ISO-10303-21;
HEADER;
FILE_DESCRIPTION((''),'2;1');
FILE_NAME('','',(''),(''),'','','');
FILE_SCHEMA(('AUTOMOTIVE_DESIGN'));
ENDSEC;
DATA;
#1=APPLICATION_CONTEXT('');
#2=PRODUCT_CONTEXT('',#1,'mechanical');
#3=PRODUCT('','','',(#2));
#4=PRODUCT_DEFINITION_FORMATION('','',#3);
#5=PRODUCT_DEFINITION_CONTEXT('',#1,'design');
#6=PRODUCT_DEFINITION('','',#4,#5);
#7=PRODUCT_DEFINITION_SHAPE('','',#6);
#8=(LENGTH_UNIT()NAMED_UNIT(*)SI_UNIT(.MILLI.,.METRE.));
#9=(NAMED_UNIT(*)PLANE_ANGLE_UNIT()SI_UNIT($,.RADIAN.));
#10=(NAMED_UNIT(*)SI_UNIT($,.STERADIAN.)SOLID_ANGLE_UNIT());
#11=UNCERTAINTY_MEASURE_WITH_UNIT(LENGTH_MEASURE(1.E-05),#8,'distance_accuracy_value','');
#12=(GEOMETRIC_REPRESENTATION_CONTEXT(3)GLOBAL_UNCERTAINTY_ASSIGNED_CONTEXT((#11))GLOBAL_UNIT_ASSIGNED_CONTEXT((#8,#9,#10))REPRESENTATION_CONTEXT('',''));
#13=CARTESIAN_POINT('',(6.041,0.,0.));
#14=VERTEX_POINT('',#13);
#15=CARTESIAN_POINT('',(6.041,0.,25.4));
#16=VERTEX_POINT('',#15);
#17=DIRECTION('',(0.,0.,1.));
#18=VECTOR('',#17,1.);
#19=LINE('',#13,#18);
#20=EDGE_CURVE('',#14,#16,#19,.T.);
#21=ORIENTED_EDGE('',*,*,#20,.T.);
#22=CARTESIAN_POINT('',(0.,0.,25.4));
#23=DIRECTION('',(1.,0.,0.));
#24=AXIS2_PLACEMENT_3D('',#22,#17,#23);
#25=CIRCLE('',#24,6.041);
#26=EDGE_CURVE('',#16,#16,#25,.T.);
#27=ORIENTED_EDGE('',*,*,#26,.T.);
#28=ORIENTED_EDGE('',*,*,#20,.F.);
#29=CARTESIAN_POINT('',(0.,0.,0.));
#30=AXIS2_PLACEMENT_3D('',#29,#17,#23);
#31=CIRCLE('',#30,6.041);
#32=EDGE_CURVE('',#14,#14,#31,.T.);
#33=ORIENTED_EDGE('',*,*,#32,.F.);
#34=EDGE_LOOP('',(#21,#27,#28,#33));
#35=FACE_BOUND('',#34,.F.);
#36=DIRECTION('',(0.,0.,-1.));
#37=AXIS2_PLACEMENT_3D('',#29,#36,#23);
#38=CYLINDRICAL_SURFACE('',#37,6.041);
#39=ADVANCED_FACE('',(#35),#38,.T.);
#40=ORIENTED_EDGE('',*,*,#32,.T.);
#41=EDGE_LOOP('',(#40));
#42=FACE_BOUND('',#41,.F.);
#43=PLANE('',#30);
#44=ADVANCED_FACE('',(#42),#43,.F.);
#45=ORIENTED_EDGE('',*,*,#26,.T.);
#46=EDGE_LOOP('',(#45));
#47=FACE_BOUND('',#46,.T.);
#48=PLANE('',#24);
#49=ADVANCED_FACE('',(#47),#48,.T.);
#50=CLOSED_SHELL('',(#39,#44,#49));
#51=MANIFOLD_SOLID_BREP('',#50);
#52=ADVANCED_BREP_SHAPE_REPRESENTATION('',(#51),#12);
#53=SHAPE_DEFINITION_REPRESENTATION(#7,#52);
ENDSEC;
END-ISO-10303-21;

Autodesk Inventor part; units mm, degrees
ref_plane "YZ Plane" through (0, 0, 0) normal (1, 0, 0) x (0, 1, 0)
ref_plane "XZ Plane" through (0, 0, 0) normal (0, 1, 0) x (-1, 0, 0)
ref_plane "XY Plane" through (0, 0, 0) normal (0, 0, 1) x (1, 0, 0)
sketch "Sketch1" plane through (0, 0, 0) normal (0, 0, 1) x (1, 0, 0)
  circle A0 centre (0, 0) radius 6.041
  dimension "d0" = 12.082
extrude "Extrusion1" add sketch "Sketch1" along normal blind 25.4
sketch "Sketch2" plane through (0, 0, 25.4) normal (0, 0, 1) x (1, 0, 0)
  point P0 (0, 0)
sketch "Sketch3" plane through (0, 0, 25.4) normal (0, 0, 1) x (1, 0, 0)
  point P0 (0, 0)
properties part number "Gas Cylinder Lid"
